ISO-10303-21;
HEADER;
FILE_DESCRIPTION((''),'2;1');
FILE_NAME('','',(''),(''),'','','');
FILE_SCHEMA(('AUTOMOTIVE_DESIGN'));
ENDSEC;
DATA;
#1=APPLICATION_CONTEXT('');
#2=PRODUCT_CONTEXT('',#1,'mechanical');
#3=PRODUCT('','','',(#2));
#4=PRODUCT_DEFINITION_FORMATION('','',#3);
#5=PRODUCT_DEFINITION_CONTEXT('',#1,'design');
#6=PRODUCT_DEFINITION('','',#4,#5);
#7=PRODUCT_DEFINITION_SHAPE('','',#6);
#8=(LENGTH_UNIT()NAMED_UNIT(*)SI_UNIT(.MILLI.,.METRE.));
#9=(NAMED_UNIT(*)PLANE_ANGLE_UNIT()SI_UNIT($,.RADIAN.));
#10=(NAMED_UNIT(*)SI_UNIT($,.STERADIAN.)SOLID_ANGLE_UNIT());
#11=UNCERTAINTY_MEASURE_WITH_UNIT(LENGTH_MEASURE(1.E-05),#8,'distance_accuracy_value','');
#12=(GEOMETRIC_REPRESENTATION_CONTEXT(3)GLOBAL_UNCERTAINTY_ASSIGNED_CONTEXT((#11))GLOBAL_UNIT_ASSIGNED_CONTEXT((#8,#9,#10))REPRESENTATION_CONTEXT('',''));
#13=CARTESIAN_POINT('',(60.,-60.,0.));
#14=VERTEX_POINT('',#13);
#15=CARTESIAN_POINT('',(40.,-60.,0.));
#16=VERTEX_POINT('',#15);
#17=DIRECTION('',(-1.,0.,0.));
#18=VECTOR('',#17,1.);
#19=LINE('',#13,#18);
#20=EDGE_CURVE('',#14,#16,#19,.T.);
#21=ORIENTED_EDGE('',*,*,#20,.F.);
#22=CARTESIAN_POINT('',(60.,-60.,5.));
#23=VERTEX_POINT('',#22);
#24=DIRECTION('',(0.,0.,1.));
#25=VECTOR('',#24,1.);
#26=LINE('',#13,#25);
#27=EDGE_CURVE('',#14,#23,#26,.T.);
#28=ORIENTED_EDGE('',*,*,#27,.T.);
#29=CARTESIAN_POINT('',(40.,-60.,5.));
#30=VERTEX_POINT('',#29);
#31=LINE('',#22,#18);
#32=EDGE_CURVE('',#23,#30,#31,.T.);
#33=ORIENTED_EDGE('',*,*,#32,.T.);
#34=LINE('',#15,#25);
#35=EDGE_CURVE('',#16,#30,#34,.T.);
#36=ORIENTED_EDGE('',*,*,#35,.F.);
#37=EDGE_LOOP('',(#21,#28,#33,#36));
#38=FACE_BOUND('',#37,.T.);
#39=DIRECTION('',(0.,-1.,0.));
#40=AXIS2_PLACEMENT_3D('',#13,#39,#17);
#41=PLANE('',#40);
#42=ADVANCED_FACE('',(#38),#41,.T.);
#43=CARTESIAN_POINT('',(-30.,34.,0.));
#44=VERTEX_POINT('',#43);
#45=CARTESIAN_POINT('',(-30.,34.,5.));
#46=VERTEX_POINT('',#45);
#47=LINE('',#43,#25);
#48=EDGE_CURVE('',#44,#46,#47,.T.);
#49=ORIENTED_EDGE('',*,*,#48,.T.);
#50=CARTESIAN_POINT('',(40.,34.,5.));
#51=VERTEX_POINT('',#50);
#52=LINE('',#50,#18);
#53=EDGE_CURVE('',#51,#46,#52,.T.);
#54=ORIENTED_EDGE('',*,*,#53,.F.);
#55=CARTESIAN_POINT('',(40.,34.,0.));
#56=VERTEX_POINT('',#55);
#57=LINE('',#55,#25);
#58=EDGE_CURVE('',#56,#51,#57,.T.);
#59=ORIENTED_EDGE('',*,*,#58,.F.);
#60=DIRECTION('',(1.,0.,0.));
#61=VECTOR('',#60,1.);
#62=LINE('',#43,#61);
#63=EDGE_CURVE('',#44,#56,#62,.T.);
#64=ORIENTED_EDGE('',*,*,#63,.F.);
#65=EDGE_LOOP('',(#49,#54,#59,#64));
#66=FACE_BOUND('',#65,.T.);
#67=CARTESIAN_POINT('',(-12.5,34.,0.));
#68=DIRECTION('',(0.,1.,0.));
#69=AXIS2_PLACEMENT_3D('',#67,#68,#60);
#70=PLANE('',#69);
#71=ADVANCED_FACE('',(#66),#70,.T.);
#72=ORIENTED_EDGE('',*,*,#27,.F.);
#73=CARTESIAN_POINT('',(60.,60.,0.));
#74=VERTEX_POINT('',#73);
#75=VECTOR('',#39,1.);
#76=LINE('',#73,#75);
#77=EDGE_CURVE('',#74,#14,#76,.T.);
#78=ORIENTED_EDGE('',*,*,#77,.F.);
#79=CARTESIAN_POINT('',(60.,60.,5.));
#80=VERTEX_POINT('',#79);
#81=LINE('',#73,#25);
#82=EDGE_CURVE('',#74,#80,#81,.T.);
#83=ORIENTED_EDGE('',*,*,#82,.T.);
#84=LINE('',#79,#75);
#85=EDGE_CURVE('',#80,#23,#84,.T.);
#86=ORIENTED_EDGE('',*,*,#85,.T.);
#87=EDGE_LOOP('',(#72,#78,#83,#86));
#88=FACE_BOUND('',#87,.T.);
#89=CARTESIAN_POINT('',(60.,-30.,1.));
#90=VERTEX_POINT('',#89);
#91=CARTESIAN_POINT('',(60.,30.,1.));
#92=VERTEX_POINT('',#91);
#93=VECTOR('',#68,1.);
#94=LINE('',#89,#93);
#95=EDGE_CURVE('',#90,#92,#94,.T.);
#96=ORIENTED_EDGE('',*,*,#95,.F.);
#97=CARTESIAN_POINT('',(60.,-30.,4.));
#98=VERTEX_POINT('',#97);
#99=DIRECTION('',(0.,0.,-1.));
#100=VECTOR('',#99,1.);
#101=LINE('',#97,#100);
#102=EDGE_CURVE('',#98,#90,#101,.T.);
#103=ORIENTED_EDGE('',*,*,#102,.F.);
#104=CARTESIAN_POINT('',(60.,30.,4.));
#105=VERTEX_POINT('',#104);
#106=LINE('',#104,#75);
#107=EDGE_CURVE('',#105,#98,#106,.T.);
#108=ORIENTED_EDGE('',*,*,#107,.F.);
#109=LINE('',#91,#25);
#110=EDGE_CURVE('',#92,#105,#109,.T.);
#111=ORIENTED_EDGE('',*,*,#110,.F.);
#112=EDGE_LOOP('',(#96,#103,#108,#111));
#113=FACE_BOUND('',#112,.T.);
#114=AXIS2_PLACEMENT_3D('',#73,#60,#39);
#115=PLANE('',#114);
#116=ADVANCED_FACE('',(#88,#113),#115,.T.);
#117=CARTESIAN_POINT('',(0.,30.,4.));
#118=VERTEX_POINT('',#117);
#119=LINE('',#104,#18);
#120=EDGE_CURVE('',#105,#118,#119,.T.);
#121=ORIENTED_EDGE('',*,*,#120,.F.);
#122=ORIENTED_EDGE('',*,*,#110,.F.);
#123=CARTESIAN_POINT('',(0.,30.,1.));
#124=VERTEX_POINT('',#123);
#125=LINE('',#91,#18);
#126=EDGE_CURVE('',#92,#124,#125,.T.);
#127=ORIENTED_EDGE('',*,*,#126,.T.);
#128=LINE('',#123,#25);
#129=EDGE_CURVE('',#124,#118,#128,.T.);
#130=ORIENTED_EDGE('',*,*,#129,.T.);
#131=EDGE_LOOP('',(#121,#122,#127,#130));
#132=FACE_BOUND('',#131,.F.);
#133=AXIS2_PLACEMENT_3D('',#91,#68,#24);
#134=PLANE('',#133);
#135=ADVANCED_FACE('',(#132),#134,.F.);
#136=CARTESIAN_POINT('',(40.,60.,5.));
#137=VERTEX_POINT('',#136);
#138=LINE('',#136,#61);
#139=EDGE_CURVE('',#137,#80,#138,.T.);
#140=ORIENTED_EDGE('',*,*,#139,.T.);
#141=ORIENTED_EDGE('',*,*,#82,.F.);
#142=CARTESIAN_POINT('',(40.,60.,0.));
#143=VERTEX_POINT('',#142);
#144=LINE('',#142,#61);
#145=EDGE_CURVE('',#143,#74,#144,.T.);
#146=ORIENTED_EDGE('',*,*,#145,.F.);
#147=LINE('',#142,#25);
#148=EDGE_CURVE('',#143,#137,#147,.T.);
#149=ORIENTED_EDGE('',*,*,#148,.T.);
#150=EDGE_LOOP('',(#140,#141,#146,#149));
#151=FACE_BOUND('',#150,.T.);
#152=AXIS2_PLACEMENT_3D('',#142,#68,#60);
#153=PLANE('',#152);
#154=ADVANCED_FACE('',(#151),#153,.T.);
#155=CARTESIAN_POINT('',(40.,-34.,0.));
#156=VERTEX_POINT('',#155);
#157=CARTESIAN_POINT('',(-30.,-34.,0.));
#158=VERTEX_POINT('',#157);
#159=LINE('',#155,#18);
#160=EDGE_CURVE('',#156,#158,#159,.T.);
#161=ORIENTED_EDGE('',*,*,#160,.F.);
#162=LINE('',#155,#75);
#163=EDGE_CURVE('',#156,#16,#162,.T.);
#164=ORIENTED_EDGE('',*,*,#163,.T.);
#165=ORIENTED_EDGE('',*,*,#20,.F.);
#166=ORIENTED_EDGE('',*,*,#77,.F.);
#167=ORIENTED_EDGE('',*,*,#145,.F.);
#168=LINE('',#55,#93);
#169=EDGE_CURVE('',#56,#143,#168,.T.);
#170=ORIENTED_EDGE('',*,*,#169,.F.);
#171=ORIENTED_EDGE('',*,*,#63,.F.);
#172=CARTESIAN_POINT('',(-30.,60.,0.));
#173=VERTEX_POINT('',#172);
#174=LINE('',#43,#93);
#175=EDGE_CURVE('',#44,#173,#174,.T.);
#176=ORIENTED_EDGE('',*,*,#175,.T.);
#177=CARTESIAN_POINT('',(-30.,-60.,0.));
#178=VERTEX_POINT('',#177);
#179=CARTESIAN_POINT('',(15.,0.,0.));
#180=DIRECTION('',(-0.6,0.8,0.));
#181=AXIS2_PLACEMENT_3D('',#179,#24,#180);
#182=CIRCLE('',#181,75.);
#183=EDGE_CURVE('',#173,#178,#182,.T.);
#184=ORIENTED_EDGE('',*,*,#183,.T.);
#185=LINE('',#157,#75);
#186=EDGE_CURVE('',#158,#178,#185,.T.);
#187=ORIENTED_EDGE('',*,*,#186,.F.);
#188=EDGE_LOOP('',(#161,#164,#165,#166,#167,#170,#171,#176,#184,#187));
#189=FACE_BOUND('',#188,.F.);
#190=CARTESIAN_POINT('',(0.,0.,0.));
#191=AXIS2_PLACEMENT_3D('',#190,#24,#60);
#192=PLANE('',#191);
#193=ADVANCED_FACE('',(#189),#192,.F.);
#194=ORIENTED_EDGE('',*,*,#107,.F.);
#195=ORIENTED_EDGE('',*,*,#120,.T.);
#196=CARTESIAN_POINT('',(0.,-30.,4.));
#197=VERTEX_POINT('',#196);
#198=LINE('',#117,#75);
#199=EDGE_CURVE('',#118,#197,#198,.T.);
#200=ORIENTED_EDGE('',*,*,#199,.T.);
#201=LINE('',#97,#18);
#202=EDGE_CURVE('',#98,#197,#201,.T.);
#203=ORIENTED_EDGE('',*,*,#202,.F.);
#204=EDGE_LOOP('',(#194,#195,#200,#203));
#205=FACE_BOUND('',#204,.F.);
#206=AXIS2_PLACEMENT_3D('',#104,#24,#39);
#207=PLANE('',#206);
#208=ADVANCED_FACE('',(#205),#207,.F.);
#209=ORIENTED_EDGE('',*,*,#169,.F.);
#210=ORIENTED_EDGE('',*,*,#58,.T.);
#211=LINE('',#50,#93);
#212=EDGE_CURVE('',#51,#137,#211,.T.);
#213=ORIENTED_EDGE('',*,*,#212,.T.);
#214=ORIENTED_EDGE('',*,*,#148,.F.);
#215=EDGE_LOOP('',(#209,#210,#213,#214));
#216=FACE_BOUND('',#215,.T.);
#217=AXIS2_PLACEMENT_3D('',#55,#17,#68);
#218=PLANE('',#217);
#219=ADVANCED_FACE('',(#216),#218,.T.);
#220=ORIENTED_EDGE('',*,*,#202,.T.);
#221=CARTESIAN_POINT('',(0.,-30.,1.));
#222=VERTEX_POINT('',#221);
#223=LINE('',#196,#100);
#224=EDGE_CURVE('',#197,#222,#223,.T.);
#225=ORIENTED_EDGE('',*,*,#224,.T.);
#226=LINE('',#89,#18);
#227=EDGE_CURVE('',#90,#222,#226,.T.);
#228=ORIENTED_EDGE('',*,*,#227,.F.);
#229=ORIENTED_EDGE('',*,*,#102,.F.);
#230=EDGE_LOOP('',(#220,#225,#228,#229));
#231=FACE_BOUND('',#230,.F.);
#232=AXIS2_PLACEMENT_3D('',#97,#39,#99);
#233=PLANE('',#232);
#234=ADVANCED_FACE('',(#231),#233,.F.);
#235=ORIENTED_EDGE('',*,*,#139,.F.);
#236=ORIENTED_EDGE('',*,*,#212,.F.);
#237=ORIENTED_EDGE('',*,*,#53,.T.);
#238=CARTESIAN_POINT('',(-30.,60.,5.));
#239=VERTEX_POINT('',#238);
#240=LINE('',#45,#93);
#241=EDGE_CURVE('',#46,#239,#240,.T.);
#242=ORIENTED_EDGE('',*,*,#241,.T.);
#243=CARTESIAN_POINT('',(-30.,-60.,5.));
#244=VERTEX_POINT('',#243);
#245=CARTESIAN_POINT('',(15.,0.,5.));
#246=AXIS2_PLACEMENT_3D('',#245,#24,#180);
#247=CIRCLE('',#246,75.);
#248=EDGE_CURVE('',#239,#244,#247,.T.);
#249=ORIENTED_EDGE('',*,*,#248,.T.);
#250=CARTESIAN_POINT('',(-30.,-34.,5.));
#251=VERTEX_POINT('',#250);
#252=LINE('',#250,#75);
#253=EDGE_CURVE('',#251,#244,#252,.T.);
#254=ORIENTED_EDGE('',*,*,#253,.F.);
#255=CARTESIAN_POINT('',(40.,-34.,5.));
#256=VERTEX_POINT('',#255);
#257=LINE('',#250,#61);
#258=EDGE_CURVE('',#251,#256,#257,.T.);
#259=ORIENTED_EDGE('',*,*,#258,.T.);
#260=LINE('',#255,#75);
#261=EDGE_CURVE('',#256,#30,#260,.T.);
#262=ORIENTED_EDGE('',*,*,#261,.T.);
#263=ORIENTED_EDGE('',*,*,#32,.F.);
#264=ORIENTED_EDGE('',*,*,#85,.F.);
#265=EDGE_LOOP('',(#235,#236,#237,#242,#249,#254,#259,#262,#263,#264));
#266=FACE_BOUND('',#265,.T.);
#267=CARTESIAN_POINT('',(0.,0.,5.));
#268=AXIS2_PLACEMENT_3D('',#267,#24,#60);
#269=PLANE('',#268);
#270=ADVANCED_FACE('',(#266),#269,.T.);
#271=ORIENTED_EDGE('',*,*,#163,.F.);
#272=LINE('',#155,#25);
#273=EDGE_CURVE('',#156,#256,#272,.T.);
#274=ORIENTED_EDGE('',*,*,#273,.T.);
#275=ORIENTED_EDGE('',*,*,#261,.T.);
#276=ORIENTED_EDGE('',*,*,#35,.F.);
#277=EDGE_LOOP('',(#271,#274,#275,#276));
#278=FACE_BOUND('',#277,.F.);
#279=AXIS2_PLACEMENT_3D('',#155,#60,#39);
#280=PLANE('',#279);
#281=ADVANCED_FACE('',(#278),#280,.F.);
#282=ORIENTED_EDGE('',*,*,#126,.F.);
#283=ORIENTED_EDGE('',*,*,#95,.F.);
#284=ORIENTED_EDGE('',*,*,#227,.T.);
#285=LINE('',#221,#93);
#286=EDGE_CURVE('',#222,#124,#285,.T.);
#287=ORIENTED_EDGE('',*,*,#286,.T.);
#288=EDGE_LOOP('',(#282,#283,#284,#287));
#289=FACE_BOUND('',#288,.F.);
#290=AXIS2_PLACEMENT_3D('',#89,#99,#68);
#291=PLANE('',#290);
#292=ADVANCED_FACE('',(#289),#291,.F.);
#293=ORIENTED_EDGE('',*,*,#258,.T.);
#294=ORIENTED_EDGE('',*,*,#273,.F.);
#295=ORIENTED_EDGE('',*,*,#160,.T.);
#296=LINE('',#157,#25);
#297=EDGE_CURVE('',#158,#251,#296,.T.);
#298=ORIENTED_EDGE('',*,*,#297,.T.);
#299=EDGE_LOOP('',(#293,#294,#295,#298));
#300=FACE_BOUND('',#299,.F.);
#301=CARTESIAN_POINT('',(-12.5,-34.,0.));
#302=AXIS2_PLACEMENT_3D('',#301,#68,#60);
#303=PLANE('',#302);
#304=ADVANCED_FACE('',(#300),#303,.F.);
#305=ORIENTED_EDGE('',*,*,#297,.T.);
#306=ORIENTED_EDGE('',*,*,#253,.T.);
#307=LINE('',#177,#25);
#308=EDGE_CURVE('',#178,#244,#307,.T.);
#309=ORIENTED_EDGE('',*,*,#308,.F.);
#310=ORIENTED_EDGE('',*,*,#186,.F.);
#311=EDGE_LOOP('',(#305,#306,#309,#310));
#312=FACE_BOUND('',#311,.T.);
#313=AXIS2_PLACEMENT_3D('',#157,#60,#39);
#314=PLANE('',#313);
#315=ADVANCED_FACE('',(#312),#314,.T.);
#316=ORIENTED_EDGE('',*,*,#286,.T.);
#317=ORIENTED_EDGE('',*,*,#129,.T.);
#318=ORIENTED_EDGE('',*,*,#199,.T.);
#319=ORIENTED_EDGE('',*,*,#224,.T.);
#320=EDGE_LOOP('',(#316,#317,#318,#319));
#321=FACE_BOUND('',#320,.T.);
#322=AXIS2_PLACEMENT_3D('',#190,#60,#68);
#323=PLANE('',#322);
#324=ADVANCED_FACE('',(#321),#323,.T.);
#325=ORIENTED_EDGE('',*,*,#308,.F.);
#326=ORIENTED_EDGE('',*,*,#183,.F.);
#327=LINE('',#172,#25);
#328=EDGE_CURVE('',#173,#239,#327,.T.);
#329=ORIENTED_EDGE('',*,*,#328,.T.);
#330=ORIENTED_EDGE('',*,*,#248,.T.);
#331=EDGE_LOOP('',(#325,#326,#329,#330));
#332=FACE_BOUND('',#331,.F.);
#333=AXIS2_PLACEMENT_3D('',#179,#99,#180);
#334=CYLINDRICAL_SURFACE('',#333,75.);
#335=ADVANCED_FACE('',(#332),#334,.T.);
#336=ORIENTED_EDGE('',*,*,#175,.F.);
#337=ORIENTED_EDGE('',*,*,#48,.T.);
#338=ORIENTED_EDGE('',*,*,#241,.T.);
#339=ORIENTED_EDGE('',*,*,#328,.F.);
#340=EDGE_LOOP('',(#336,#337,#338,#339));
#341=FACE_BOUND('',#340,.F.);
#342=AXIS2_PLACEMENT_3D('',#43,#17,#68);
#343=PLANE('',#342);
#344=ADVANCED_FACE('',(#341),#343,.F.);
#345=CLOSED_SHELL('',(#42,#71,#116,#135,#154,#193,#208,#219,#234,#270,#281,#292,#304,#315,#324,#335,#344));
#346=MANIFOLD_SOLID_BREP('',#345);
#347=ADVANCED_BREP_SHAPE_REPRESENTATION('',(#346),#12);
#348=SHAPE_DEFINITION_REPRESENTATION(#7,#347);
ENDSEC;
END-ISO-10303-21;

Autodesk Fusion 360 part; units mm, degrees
sketch "Bottom front base" plane through (0, 0, 0) normal (0, 0, 1) x (1, 0, 0)
  line L0 (40, 60) -> (60, 60)
  line L1 (60, 60) -> (60, -60)
  line L2 (60, -60) -> (40, -60)
  line L3 (60, 0) -> (57.5, 0) construction
  line L4 (57.5, -60) -> (57.5, -6) construction
  line L5 (57.5, -6) -> (-12.5, -6) construction
  line L6 (-12.5, -6) -> (-12.5, -34) construction
  line L7 (-12.5, -34) -> (-30, -34)
  line L8 (-12.5, -34) -> (40, -34)
  line L9 (40, -34) -> (40, -60)
  line L10 (-30, -34) -> (-30, -60)
  arc A0 (-30, 60) -> (-30, -60) centre (15, 0) ccw
  line L11 (-30, 34) -> (-30, 60)
  line L12 (-12.5, 34) -> (40, 34)
  line L13 (-12.5, 34) -> (-30, 34)
  line L14 (40, 34) -> (40, 60)
  dimension "d1" = 120
  dimension "d3" = 2.5
  dimension "d4" = 54
  dimension "d5" = 70
  dimension "d6" = 28
  dimension "d9" = 70
extrude "Bottom front height" add sketch "Bottom front base" along normal blind 5
sketch "Connector hole" plane through (60, 0, 0) normal (1, 0, 0) x (0, 1, 0)
  line L0 (-60, 0) -> (60, 0)
  line L1 (60, 0) -> (60, 5)
  line L2 (60, 5) -> (-60, 5)
  line L3 (-60, 5) -> (-60, 0)
  line L4 (0, 0) -> (0, -0.1551)
  line L5 (0, 0) -> (0, 5) construction
  line L6 (30, 4) -> (-30, 4)
  line L7 (-30, 4) -> (-30, 1)
  line L8 (-30, 1) -> (30, 1)
  line L9 (30, 1) -> (30, 4)
  line L10 (30, 4) -> (-30, 1) construction
  line L11 (-30, 4) -> (30, 1) construction
  point P0 (0, 2.5)
  dimension "d12" = 3
  dimension "d13" = 60
extrude "Connector hole (1)" cut sketch "Connector hole" against normal blind 60 contours L6 L7 L8 L9
equation "d6 = 54 mm - 26 mm"
